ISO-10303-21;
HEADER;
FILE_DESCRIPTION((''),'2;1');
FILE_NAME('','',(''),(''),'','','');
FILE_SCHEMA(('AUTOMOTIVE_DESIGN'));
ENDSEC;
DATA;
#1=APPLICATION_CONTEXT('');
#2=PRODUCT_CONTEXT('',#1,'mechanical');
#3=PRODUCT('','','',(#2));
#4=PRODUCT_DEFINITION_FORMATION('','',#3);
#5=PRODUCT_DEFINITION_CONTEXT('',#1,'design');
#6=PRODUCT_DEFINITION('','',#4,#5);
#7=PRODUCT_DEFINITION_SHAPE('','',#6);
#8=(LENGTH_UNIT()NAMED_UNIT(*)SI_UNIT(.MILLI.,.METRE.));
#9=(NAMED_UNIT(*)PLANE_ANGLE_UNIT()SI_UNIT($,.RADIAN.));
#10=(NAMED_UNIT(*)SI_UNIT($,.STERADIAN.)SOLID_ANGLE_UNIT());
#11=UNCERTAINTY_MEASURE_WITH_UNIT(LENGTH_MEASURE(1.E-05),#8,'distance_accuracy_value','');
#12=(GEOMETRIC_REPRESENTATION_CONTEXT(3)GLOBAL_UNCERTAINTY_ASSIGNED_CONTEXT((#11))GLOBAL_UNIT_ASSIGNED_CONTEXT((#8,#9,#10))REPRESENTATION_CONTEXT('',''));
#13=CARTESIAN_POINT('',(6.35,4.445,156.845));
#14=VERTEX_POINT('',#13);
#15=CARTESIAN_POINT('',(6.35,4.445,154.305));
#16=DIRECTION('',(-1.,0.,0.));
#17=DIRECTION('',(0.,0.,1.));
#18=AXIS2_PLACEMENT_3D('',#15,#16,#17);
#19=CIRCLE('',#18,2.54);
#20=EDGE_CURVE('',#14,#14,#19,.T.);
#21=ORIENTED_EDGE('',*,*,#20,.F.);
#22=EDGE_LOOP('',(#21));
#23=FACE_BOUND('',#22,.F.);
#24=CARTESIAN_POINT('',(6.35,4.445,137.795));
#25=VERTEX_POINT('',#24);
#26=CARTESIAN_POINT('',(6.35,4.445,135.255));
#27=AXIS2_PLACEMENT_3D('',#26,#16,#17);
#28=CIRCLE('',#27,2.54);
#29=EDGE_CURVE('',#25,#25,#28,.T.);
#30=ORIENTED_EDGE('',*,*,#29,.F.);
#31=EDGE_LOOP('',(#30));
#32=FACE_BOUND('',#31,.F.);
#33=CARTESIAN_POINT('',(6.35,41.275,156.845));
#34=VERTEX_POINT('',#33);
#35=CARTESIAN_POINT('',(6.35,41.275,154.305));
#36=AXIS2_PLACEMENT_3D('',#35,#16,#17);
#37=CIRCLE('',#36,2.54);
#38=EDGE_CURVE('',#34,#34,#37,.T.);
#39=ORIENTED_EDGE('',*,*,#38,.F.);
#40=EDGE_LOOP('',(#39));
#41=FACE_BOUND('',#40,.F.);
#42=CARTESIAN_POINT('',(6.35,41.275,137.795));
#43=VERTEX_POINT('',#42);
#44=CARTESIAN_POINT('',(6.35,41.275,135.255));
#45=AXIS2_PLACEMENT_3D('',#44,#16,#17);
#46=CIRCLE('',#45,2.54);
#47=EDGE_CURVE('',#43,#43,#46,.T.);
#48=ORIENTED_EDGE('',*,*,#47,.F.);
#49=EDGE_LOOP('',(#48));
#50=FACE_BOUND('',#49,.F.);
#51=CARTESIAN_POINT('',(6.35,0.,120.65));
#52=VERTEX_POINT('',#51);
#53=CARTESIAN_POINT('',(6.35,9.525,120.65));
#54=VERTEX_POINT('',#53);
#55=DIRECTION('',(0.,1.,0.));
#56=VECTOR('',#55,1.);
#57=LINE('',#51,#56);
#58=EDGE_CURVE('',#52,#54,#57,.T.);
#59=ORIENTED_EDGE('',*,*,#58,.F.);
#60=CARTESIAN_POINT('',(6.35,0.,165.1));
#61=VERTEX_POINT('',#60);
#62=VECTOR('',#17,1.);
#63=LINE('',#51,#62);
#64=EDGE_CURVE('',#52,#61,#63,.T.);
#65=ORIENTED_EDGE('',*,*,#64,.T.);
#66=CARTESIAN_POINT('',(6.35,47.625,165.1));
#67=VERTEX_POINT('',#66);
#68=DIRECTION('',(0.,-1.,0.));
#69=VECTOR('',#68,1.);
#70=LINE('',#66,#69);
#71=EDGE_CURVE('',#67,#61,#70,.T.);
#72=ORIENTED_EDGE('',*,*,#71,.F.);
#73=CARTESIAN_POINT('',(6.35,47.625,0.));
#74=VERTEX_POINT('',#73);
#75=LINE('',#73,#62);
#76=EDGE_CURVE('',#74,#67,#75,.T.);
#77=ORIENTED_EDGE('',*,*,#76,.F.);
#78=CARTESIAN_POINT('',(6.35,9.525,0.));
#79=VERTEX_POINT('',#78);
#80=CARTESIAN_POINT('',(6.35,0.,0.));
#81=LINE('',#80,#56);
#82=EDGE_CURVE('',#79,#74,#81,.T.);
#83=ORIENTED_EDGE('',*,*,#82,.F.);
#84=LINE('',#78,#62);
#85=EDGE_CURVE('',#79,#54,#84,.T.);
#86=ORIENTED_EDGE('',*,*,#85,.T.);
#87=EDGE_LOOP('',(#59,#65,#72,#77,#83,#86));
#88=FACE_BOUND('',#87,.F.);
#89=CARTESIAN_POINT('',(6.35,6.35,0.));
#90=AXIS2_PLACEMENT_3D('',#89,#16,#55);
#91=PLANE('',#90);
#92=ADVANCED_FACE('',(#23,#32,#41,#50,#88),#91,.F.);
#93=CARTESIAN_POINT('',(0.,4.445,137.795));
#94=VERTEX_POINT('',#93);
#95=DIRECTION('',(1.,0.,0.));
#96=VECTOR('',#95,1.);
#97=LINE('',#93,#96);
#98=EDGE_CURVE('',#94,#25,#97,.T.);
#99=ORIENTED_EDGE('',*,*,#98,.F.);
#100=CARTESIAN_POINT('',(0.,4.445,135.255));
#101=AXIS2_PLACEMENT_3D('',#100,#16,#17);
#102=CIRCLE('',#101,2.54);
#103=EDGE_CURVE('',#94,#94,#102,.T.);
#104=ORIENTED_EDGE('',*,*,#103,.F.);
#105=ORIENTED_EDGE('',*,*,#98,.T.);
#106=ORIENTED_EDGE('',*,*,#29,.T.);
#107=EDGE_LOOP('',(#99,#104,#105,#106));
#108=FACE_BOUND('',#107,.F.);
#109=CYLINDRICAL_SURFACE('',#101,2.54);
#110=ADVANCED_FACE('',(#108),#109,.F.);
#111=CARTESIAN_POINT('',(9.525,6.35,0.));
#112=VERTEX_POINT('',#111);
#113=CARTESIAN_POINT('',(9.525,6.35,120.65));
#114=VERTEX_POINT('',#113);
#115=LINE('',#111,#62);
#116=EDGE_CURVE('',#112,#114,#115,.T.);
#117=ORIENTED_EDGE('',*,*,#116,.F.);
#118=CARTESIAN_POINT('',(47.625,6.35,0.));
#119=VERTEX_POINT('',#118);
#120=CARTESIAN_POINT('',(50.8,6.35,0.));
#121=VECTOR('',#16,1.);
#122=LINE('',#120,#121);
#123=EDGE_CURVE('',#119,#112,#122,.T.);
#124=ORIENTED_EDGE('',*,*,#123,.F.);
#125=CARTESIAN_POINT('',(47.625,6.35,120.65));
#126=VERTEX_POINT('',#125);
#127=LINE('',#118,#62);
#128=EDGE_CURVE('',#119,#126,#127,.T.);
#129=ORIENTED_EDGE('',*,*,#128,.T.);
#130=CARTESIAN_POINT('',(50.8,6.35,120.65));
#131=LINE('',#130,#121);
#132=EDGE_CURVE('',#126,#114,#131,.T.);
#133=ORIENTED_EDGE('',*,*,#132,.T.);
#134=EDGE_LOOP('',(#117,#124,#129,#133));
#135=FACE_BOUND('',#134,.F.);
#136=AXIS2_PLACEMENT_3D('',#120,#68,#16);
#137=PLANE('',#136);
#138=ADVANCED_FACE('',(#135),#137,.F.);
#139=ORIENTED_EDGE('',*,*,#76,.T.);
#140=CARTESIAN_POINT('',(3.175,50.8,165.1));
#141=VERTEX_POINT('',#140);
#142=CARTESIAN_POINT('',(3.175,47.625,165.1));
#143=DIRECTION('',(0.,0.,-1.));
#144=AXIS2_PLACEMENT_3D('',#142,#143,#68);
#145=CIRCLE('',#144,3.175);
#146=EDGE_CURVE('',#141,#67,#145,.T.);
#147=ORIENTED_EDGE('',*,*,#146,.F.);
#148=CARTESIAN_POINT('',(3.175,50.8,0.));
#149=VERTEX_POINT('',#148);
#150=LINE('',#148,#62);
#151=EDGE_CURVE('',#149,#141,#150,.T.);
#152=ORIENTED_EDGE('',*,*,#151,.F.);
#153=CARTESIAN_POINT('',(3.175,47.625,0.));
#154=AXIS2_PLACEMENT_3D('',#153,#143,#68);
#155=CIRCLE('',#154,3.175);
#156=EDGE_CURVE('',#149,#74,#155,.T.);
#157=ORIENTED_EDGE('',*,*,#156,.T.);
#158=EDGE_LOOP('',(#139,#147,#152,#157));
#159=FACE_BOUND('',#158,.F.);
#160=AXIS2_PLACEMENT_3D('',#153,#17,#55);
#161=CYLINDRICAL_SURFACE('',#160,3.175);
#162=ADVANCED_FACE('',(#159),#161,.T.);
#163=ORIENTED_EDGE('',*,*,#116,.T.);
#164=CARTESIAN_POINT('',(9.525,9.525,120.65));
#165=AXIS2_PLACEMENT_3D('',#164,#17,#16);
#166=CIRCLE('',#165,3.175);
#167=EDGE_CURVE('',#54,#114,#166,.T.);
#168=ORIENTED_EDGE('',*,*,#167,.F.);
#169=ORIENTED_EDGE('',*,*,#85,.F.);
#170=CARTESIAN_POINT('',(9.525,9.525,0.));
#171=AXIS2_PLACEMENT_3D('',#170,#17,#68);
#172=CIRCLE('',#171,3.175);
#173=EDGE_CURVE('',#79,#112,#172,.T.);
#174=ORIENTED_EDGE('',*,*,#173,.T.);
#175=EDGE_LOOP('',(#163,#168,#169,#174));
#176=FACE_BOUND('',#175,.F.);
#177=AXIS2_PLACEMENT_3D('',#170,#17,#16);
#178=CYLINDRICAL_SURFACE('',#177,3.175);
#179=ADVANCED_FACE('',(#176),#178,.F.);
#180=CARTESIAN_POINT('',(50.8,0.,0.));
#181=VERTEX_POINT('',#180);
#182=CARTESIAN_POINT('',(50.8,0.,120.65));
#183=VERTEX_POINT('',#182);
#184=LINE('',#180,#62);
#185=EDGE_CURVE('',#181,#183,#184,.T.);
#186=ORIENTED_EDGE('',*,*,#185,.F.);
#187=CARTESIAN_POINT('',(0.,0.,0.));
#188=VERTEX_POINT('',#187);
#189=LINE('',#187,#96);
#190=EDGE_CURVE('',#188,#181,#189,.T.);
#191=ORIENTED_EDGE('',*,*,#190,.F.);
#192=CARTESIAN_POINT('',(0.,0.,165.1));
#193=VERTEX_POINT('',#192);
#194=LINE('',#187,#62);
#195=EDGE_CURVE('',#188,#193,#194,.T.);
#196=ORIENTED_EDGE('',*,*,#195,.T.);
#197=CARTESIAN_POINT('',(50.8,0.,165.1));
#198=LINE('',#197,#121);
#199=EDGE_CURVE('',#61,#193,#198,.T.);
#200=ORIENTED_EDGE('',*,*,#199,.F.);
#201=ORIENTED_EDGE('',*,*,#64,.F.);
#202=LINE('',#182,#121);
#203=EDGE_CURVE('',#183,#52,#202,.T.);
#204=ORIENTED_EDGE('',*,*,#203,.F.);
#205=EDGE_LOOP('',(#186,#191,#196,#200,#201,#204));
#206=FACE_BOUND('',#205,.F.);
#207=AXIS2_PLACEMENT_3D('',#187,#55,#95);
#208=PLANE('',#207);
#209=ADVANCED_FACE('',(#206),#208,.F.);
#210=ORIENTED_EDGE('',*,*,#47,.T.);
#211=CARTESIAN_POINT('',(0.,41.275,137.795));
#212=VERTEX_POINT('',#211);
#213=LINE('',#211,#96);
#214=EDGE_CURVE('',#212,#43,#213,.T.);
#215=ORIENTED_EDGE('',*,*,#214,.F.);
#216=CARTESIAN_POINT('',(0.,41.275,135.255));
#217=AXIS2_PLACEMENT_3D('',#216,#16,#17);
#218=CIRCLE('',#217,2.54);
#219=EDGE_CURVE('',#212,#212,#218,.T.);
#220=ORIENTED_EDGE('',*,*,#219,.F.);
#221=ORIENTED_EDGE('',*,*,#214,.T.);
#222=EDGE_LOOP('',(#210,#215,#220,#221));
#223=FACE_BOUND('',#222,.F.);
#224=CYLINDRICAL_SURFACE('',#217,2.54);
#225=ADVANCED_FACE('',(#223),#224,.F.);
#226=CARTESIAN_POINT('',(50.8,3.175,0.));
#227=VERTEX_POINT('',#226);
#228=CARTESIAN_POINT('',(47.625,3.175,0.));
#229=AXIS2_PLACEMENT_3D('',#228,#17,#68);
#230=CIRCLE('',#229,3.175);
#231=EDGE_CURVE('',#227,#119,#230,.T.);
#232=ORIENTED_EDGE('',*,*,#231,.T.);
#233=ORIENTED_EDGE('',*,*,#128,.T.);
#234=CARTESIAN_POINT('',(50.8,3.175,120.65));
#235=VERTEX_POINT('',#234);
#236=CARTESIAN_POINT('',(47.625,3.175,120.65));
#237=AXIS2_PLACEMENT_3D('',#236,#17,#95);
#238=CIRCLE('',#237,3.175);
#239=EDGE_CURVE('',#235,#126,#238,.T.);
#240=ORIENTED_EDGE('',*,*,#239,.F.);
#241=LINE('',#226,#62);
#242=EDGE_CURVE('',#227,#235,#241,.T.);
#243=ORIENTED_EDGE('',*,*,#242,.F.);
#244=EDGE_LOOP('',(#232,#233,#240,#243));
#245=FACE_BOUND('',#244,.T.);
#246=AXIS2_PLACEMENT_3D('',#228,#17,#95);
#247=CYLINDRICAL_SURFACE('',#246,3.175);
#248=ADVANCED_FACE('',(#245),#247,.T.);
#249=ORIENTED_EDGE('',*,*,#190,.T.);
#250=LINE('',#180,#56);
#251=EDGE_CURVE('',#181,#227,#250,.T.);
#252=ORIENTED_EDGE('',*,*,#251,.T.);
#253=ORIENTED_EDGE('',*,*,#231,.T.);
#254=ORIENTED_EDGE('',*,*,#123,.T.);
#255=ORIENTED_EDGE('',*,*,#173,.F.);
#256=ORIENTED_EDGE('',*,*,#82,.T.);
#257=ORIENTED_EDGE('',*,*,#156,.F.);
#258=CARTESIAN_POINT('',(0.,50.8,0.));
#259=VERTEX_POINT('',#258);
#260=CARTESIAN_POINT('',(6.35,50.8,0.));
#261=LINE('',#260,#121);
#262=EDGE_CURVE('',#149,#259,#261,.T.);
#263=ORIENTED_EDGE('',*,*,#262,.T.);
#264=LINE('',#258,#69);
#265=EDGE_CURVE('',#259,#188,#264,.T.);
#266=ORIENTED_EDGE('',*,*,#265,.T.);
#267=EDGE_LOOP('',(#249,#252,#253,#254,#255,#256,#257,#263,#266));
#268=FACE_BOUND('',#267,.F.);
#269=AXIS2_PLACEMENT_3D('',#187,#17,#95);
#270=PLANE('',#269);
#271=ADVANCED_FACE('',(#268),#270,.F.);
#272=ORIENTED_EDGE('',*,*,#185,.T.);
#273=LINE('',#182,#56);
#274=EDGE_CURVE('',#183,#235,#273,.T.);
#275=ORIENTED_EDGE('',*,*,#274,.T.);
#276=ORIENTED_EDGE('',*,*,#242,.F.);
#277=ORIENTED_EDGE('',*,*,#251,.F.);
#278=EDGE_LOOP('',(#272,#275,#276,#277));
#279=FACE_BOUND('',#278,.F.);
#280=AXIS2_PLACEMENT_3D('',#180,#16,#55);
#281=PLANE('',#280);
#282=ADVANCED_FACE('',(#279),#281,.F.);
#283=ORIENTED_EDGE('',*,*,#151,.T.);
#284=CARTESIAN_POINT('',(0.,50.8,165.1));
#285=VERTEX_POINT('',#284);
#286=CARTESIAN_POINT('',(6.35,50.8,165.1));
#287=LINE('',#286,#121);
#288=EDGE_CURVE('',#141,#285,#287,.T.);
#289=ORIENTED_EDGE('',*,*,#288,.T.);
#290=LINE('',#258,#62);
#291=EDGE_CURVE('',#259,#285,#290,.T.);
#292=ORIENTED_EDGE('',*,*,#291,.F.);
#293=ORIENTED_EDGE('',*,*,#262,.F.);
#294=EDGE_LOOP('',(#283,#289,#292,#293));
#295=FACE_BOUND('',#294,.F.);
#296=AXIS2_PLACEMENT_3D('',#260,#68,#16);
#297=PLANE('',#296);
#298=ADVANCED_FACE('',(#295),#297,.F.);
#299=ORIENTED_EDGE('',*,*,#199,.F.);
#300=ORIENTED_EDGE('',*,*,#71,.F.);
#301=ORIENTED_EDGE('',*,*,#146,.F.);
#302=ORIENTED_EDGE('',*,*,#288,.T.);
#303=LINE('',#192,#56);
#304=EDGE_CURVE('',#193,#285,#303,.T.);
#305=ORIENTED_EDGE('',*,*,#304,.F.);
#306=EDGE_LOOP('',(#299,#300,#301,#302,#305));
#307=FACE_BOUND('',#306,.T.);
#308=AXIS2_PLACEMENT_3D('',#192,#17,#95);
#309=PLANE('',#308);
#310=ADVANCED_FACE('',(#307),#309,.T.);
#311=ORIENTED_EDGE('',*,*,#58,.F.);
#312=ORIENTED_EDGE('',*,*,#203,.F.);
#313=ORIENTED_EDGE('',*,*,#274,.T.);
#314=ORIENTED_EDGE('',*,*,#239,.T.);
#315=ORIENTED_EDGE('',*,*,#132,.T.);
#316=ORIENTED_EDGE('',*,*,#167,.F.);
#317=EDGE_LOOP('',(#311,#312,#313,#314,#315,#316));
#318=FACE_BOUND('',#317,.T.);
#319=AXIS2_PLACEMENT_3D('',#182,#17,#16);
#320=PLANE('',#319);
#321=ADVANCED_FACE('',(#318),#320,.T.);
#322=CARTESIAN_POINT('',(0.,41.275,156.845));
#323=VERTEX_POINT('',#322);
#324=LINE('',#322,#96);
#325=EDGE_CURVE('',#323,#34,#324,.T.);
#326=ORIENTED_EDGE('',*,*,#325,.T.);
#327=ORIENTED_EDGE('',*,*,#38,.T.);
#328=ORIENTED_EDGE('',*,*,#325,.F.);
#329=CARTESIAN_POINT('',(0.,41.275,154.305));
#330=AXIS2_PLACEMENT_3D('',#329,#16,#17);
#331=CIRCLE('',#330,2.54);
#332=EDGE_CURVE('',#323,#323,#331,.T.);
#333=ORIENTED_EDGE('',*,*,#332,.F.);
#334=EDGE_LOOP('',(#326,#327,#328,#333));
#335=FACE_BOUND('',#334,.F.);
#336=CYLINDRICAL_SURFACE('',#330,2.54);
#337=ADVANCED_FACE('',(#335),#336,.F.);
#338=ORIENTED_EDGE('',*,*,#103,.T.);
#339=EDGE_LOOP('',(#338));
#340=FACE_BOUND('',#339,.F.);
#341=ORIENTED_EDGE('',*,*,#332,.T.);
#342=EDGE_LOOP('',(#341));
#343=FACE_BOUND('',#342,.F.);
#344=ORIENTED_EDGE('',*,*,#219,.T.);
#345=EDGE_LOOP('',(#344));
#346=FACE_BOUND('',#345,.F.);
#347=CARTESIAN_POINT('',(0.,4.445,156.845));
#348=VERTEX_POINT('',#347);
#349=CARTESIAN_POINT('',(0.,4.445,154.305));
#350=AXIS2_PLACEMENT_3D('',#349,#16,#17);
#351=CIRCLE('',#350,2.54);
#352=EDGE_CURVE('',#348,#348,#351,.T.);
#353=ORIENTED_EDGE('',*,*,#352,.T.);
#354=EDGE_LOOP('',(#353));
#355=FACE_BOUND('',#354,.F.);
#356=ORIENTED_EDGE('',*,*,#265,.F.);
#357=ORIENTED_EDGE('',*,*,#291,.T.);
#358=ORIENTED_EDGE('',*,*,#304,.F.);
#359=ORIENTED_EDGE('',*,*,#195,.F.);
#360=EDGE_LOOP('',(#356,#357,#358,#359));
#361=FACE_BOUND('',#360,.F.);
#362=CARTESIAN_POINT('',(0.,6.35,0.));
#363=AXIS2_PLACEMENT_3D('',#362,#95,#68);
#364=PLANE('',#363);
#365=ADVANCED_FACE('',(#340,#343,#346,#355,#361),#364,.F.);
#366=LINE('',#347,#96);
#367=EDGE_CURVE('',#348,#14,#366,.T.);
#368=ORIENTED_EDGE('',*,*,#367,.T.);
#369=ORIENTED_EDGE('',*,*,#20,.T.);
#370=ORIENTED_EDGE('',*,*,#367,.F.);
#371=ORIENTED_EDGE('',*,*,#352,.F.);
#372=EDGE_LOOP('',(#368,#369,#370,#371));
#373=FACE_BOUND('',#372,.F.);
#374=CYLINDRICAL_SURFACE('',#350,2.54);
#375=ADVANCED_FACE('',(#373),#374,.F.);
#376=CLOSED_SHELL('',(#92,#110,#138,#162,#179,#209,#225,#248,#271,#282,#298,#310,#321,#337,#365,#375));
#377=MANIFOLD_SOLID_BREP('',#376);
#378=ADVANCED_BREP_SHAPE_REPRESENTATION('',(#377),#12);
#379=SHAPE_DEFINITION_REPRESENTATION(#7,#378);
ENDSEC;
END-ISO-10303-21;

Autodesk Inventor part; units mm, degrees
ref_plane "YZ Plane" through (0, 0, 0) normal (1, 0, 0) x (0, 1, 0)
ref_plane "XZ Plane" through (0, 0, 0) normal (0, 1, 0) x (-1, 0, 0)
ref_plane "XY Plane" through (0, 0, 0) normal (0, 0, 1) x (1, 0, 0)
sketch "Sketch1" plane through (0, 0, 0) normal (0, 0, 1) x (1, 0, 0)
  line L0 (0, 0) -> (6.35, 0)
  line L1 (6.35, 0) -> (6.35, 50.8)
  line L2 (6.35, 50.8) -> (0, 50.8)
  line L3 (0, 50.8) -> (0, 0)
  line L4 (0, 0) -> (50.8, 0)
  line L5 (50.8, 0) -> (50.8, 6.35)
  line L6 (50.8, 6.35) -> (0, 6.35)
  line L7 (0, 6.35) -> (0, 0)
  dimension "d0" = 6.35
  dimension "d1" = 50.8
  dimension "d2" = 50.8
  dimension "d3" = 6.35
extrude "Extrusion1" add sketch "Sketch1" along normal blind 165.1
fillet "Fillet1" radius 3.175 3 edges at (6.35, 50.8, 82.55) (6.35, 6.35, 82.55) (50.8, 6.35, 82.55)
sketch "Sketch2" plane through (0, 0, 0) normal (0, -1, 0) x (1, 0, 0)
  line L0 (0, 165.1) -> (50.8, 165.1) projected
  line L1 (0, 0) -> (0, 165.1) projected
  line L2 (0, 0) -> (50.8, 0) projected
  line L3 (50.8, 0) -> (50.8, 165.1) projected
  line L4 (50.8, 165.1) -> (50.8, 0) projected
  line L5 (6.35, 165.1) -> (50.8, 165.1)
  line L6 (50.8, 165.1) -> (50.8, 120.65)
  line L7 (50.8, 120.65) -> (6.35, 120.65)
  line L8 (6.35, 120.65) -> (6.35, 165.1)
  dimension "d7" = 44.45
extrude "Extrusion2" cut sketch "Sketch2" against normal blind 165.1 contours L0 L3 L7 L8
sketch "Sketch3" plane through (0, 0, 0) normal (-1, 0, 0) x (0, 0, 1)
  circle A0 centre (135.255, 4.445) radius 2.54 projected
  circle A1 centre (154.305, 4.445) radius 2.54 projected
  circle A2 centre (154.305, 41.275) radius 2.54 projected
  circle A3 centre (135.255, 41.275) radius 2.54 projected
  line L0 (124.46, 45.72) -> (124.46, 0) projected
  line L1 (144.78, 45.72) -> (124.46, 45.72) projected
  line L2 (165.1, 45.72) -> (144.78, 45.72) projected
  line L3 (165.1, 0) -> (165.1, 45.72) projected
  line L4 (124.46, 0) -> (165.1, 0) projected
  point P0 (0, 0)
extrude "Extrusion3" cut sketch "Sketch3" against normal blind 165.1 contours A0 | A1 | A2 | A3
properties part number "lbeam final"
